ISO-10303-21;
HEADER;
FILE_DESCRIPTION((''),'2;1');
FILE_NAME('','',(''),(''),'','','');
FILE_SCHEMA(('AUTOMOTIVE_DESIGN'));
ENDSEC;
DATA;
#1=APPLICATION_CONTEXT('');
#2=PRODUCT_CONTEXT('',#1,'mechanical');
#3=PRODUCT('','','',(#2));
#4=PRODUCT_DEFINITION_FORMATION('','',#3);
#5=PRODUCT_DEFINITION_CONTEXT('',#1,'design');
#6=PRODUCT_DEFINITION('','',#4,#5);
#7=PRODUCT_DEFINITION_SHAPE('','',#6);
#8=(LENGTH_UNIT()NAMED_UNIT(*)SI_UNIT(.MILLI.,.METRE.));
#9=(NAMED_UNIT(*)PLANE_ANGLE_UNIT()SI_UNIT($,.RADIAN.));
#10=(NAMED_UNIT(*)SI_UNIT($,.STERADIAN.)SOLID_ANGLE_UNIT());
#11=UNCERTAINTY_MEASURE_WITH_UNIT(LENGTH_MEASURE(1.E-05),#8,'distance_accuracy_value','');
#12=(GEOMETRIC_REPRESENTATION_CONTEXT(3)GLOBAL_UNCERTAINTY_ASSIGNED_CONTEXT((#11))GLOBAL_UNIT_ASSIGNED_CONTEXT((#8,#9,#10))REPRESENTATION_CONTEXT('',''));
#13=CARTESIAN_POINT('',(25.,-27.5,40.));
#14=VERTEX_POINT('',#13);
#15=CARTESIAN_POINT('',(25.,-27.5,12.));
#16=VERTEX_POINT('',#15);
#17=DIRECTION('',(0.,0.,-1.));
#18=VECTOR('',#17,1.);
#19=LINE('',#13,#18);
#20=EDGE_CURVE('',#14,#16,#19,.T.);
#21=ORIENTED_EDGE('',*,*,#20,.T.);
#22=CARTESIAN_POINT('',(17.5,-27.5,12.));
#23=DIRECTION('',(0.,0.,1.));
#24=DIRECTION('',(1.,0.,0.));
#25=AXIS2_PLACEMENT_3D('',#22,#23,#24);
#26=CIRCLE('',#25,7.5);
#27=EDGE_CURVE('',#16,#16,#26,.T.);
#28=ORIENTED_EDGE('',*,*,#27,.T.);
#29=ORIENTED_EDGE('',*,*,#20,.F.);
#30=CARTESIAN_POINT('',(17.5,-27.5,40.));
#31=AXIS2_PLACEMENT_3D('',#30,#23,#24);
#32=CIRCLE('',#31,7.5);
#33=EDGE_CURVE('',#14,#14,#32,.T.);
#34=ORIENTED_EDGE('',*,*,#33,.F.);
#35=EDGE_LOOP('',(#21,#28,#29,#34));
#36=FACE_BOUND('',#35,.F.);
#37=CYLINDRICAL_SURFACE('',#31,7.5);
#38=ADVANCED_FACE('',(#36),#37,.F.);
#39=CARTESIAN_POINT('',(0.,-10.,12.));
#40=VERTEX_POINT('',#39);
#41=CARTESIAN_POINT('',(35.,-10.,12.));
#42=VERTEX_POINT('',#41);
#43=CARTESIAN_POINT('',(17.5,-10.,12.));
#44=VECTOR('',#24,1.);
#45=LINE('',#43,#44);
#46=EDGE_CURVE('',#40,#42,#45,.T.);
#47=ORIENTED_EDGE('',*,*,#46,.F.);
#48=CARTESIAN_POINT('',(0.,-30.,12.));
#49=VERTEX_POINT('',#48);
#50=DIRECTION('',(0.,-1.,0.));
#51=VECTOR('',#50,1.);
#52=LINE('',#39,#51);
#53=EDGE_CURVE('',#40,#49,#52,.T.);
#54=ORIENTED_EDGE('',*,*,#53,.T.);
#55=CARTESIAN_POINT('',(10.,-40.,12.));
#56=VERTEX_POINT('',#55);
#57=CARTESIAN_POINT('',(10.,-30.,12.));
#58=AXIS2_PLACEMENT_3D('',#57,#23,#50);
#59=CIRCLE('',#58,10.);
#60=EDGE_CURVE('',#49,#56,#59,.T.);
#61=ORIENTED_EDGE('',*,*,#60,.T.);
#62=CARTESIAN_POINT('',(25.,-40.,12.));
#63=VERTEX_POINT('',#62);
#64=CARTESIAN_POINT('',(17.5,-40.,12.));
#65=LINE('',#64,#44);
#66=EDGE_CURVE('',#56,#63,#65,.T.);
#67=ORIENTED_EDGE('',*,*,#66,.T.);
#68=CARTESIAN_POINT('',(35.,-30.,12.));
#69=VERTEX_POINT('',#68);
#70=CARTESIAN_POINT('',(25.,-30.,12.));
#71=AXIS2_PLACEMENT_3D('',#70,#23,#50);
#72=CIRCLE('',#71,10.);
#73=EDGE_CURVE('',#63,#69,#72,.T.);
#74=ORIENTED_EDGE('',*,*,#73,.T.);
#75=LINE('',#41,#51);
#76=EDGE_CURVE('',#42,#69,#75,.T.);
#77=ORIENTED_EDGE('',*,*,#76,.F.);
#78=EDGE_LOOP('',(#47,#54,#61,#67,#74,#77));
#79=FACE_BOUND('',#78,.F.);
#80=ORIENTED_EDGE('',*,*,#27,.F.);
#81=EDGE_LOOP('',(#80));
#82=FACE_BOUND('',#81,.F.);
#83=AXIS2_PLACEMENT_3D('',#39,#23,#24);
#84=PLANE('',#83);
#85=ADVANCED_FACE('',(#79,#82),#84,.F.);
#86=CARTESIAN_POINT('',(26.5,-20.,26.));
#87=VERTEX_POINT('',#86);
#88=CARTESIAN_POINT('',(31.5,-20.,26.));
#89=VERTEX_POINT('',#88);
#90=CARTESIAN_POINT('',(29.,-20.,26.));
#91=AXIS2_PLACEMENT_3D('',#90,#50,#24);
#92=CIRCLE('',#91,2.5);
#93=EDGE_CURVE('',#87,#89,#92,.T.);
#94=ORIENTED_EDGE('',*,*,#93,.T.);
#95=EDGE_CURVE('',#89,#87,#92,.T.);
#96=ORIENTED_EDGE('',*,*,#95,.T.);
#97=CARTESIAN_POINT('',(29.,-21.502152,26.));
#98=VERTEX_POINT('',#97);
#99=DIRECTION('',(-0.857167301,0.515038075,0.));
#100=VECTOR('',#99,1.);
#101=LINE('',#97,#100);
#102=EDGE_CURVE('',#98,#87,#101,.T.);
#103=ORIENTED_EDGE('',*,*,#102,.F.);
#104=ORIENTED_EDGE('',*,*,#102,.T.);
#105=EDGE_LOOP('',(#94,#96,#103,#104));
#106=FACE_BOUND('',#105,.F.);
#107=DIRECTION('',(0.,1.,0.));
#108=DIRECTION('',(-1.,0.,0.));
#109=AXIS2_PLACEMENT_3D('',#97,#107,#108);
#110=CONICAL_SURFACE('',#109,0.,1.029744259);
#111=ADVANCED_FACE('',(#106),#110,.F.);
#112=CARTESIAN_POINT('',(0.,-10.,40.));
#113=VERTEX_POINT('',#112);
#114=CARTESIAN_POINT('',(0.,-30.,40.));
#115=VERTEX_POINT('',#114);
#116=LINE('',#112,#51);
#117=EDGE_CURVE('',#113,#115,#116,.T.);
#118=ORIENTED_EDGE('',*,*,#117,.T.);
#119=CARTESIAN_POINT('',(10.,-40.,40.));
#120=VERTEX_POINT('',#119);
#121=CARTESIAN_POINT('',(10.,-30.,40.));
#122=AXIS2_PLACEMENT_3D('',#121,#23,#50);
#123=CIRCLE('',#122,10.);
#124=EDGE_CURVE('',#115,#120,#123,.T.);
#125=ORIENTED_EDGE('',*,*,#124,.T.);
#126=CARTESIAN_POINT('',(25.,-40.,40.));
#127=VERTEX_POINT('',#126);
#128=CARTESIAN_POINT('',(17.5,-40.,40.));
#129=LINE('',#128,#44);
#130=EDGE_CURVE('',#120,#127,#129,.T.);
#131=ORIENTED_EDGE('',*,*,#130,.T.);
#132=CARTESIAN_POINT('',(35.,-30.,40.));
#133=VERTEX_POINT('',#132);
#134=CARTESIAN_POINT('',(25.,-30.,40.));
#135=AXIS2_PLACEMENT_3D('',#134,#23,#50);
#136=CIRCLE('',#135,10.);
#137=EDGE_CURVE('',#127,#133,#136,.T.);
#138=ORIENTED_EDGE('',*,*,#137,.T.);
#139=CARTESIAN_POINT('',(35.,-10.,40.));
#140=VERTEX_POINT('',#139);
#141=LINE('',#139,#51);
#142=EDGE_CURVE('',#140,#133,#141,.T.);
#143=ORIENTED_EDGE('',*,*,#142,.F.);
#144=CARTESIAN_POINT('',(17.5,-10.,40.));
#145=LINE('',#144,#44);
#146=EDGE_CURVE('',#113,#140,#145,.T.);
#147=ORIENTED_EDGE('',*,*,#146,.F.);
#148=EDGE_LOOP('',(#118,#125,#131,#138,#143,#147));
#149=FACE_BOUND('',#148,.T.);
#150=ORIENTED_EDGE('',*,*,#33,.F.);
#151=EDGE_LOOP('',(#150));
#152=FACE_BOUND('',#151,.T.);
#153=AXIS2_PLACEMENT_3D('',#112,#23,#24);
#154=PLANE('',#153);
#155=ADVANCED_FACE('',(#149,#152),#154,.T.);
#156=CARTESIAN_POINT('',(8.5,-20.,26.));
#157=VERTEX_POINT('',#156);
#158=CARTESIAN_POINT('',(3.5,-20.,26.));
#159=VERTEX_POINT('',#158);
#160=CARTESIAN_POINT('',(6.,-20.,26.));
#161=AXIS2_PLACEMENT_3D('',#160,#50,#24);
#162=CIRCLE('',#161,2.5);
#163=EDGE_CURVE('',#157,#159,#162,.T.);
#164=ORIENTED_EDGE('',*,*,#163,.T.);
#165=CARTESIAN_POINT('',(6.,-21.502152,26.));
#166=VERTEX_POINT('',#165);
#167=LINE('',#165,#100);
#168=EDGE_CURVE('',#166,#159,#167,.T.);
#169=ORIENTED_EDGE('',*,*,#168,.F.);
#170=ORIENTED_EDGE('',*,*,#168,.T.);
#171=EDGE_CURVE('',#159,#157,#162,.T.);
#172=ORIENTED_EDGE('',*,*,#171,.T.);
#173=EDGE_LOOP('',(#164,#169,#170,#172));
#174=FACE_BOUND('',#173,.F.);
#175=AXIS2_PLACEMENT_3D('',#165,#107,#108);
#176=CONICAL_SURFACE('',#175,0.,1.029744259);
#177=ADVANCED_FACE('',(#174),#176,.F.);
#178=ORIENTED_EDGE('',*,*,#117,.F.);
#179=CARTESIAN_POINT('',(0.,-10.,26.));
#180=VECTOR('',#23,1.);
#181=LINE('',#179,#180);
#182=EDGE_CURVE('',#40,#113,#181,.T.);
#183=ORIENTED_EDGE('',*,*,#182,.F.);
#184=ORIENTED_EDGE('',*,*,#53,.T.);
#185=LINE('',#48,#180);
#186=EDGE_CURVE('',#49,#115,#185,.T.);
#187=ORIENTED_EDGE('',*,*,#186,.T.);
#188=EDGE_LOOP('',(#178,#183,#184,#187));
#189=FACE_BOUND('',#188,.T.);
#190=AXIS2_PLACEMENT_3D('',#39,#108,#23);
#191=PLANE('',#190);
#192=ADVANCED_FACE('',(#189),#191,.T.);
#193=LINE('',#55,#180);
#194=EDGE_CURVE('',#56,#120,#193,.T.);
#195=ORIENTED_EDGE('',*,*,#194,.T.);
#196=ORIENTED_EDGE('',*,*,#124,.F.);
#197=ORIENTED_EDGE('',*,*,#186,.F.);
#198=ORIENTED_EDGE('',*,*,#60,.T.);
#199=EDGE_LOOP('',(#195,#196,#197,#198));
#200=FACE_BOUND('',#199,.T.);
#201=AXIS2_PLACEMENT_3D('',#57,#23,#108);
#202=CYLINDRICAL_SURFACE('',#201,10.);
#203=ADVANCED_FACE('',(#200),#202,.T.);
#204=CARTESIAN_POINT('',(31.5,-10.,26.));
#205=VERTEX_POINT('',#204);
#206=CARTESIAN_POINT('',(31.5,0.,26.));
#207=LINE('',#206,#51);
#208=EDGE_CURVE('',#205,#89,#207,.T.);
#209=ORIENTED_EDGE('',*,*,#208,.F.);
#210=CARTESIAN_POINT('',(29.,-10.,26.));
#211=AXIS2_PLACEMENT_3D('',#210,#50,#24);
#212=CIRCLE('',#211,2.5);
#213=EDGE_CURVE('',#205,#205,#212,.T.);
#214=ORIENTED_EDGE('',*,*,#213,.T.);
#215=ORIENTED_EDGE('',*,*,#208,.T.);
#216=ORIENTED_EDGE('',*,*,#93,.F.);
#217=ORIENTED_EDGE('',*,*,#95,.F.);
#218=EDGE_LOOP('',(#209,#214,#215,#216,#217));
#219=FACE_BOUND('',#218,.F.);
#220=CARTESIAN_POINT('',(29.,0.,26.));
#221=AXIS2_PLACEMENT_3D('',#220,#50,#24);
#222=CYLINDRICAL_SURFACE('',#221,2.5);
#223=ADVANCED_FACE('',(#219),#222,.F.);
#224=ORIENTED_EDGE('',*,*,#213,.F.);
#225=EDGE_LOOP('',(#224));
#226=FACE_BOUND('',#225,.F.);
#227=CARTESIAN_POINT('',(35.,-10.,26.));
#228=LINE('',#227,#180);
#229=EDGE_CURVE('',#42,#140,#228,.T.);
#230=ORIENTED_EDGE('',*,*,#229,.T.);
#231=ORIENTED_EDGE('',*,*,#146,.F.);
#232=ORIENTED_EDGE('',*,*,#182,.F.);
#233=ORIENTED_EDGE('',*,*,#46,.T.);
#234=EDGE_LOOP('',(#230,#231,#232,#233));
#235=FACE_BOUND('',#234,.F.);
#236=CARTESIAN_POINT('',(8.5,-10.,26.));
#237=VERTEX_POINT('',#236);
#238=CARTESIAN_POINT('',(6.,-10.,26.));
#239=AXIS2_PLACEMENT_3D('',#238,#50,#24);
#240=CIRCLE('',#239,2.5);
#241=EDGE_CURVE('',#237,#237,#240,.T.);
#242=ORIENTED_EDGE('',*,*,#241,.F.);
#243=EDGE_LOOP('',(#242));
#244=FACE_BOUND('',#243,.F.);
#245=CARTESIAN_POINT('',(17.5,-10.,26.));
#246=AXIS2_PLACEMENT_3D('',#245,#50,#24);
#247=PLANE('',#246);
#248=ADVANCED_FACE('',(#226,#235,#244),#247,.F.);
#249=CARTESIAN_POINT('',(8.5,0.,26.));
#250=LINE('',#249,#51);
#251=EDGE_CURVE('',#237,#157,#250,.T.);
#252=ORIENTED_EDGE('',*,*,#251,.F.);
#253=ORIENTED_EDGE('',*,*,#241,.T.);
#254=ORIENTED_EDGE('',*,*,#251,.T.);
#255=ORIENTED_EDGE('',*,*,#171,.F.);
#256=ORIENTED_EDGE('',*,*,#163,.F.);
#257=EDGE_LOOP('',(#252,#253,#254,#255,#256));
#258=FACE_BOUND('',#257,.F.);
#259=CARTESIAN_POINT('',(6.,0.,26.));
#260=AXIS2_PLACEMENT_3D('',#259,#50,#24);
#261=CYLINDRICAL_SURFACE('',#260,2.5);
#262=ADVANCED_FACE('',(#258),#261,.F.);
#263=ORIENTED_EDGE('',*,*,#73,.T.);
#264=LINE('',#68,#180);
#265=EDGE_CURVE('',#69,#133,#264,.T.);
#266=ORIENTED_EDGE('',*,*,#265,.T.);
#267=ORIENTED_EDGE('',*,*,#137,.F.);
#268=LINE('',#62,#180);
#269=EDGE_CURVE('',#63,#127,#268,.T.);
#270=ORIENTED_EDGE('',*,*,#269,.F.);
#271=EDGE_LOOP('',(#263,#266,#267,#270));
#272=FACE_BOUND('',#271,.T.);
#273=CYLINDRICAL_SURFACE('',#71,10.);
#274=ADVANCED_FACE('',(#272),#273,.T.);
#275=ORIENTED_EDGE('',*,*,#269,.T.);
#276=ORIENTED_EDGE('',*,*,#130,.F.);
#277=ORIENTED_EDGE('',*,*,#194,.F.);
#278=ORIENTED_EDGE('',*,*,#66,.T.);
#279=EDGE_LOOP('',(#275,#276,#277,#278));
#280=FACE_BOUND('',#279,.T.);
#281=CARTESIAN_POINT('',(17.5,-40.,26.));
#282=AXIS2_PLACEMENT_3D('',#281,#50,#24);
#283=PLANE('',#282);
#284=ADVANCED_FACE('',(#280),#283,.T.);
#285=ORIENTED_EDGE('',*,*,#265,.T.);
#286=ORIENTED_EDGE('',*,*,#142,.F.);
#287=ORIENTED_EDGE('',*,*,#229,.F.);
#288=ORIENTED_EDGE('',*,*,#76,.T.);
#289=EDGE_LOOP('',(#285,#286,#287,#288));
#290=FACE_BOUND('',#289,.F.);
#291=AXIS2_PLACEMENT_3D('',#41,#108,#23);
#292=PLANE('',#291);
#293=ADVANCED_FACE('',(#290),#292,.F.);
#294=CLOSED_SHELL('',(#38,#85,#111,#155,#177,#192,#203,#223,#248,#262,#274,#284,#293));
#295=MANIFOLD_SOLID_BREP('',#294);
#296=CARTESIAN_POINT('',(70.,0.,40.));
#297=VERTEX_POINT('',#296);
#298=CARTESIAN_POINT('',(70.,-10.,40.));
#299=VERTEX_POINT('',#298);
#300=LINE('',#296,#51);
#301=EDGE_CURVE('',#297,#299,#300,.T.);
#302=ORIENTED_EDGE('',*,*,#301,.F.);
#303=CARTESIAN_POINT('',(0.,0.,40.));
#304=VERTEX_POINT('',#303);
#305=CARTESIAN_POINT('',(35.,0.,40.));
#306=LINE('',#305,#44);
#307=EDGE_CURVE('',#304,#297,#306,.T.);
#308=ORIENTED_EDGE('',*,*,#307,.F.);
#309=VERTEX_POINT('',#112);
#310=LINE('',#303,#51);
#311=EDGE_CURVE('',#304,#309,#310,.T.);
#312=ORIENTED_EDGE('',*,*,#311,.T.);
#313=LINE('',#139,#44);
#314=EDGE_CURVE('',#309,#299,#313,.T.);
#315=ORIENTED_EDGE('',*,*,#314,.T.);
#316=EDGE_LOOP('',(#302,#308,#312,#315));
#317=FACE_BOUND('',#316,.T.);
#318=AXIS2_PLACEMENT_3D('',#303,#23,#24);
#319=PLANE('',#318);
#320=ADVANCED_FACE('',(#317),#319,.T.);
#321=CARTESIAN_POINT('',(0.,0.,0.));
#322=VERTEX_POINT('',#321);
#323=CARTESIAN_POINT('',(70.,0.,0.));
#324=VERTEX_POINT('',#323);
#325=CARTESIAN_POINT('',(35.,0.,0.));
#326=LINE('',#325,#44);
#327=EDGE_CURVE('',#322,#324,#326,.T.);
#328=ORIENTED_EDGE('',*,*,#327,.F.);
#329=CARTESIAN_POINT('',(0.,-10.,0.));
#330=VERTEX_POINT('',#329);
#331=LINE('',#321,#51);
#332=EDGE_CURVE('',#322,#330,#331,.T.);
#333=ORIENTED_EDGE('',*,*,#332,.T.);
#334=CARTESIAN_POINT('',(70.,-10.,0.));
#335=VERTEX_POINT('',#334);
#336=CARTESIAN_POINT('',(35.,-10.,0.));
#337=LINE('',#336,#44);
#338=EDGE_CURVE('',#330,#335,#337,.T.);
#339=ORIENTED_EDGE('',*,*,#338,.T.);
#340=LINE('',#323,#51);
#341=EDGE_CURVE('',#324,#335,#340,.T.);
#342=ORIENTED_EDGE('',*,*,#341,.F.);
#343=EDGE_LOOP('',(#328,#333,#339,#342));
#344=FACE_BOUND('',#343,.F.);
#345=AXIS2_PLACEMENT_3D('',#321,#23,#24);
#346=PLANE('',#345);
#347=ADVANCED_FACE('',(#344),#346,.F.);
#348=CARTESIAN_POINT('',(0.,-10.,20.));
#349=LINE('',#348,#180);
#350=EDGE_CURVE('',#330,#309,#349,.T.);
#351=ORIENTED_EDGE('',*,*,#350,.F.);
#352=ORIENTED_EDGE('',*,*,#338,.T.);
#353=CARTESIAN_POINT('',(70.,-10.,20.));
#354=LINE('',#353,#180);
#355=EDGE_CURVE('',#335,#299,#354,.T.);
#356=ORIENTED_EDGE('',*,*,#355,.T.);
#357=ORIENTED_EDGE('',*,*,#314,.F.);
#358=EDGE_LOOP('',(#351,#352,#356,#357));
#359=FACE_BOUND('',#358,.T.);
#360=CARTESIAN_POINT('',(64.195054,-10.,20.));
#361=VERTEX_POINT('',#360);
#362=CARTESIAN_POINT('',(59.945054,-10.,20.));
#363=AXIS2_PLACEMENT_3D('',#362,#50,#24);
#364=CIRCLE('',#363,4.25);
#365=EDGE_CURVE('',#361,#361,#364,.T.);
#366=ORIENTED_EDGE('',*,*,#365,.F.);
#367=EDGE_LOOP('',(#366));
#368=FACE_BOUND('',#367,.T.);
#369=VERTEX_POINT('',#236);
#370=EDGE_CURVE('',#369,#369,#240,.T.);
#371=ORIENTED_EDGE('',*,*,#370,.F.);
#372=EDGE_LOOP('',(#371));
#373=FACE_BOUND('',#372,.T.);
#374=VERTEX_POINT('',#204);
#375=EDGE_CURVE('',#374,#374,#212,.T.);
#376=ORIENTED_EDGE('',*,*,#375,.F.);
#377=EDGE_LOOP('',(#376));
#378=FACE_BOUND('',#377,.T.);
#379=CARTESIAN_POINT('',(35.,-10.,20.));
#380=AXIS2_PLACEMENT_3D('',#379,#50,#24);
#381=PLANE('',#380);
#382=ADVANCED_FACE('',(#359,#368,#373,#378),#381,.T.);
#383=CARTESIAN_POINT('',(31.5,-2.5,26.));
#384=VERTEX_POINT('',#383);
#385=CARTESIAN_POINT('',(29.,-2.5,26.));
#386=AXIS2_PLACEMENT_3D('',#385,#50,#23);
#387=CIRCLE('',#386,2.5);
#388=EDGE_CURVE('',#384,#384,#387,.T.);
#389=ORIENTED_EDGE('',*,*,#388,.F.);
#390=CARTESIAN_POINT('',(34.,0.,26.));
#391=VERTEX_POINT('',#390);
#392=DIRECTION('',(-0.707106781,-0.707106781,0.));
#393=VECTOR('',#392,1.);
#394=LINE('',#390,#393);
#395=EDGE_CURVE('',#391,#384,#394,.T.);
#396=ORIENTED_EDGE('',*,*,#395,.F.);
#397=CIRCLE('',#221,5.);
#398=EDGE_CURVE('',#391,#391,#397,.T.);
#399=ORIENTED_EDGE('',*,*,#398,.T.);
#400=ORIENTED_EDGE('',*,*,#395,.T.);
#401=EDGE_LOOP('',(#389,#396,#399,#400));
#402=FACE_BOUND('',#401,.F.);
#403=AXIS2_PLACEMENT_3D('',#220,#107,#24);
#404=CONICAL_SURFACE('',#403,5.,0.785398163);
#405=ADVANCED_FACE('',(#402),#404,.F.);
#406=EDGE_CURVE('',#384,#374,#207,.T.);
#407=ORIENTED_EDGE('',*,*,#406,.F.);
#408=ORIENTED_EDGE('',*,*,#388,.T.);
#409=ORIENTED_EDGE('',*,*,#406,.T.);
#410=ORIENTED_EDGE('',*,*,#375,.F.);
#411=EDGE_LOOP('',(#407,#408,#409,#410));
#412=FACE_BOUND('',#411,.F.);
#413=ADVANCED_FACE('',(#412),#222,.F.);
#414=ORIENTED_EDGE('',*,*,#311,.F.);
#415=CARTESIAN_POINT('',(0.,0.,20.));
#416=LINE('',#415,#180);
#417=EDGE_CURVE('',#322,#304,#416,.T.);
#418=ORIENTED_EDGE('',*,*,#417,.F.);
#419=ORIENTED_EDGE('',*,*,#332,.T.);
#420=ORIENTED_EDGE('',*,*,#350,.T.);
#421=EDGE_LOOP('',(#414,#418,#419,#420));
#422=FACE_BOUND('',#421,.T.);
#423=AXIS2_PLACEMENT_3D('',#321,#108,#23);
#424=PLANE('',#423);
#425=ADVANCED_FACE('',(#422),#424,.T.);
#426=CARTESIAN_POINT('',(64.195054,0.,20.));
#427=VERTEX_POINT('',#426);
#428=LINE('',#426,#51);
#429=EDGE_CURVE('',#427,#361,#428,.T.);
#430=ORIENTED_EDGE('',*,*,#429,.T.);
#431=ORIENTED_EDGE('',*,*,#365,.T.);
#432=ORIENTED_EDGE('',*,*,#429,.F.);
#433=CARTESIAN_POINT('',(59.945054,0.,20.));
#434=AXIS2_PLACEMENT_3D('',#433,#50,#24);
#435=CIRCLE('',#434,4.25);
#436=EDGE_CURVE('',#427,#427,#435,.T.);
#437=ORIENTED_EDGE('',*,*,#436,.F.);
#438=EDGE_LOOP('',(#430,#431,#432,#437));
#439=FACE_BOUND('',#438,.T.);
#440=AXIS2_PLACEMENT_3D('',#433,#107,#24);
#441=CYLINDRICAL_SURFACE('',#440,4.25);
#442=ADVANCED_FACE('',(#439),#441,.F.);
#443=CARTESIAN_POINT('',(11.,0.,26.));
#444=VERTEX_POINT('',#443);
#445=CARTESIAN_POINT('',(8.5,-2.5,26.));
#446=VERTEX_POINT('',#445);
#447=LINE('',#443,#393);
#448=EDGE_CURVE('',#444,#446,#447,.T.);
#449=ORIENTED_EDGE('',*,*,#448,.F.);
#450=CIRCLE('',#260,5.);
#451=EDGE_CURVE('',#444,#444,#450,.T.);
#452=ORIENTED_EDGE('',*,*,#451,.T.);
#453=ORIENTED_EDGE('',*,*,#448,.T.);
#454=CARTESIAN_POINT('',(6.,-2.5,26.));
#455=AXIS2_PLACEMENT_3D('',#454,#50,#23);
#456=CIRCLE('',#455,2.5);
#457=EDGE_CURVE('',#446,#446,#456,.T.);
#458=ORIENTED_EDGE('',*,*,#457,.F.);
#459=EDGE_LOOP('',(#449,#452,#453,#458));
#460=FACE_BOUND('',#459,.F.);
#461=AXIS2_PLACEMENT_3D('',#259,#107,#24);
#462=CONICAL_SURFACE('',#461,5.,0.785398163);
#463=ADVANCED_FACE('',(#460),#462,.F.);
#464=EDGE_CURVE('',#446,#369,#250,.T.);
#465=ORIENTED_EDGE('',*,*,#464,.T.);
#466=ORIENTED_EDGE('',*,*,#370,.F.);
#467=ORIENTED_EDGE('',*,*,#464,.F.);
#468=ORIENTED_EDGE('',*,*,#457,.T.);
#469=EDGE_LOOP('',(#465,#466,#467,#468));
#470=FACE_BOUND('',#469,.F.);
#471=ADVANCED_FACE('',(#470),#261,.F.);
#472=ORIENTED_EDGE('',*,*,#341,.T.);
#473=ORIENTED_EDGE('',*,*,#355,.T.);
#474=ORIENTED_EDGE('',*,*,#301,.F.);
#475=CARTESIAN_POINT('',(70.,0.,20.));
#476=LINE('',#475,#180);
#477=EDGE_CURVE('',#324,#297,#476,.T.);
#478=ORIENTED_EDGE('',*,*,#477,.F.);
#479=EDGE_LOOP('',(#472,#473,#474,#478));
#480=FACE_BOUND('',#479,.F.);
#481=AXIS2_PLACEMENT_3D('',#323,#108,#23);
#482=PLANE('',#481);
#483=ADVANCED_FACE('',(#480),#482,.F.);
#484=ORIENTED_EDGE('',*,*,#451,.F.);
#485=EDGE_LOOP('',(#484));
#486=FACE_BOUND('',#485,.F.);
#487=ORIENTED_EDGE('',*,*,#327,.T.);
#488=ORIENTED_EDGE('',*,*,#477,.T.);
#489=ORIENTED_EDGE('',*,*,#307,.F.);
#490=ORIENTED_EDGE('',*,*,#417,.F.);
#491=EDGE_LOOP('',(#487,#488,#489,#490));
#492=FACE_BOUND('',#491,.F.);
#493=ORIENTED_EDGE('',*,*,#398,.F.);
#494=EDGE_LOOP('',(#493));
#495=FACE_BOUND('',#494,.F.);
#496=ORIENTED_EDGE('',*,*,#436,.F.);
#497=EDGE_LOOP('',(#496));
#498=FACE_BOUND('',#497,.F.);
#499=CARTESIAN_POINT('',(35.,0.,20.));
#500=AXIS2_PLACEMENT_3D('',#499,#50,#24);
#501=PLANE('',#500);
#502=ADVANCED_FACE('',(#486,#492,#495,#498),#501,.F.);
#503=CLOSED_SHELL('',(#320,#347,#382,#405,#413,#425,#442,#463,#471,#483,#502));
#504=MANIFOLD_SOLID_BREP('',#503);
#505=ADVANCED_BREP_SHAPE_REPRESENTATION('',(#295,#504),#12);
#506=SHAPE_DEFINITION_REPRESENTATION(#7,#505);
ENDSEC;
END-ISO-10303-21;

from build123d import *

# Parameters (mm, degrees)
F0_W             = 70
F0_H             = 40
F0_R             = 4.25
F1_DEPTH         = 10
F2_W             = 35
F2_H             = 28
F2_R             = 2.5
F3_DEPTH         = 30
F4_R             = 7.5
F5_DEPTH         = 40.001
F7_D             = 5
F7_DEPTH         = 20
F7_CSINK_D       = 10
F7_CSINK_ANGLE   = 90
F7_TIP           = 1.5021515476
F7_2_D           = 5
F7_2_DEPTH       = 20
F7_2_CSINK_D     = 10
F7_2_CSINK_ANGLE = 90
F7_2_TIP         = 1.5021515476
F8_R             = 10


with BuildPart() as f1:
    # F0 (on Front) → F1 (new body)
    with BuildSketch(Plane.XZ):
        with Locations((35, 20)):
            Rectangle(F0_W, F0_H)
        with Locations((59.9450543523, 20)):
            Circle(F0_R, mode=Mode.SUBTRACT)
    extrude(amount=F1_DEPTH)

    # F7
    with Locations(Plane(origin=(0, 0, 0), x_dir=(-1, 0, 0), z_dir=(0, 1, 0))):
        with Locations((-29, 26), (-6, 26)):
            CounterSinkHole(F7_D / 2, F7_CSINK_D / 2, depth=F7_DEPTH, counter_sink_angle=F7_CSINK_ANGLE)
            with Locations((0, 0, -(F7_DEPTH + F7_TIP / 2))):  # 118° drill point
                Cone(0, F7_D / 2, F7_TIP, mode=Mode.SUBTRACT)


with BuildPart() as f3:
    # F2 (on face) → F3 (new body)
    with BuildSketch(Plane.XZ.offset(10)):
        with Locations((17.5, 26)):
            Rectangle(F2_W, F2_H)
        with Locations((5, 26)):
            Circle(F2_R, mode=Mode.SUBTRACT)
        with Locations((30, 26)):
            Circle(F2_R, mode=Mode.SUBTRACT)
        with Locations((5, 26)):
            Circle(F2_R)
        with Locations((30, 26)):
            Circle(F2_R)
    extrude(amount=F3_DEPTH)

    # F4 (on face) → F5 (cut, through all)
    with BuildSketch(Plane.XY.offset(40)):
        with Locations((17.5, -27.5)):
            Circle(F4_R)
    extrude(amount=-F5_DEPTH, mode=Mode.SUBTRACT)

    # F7#2
    with Locations(Plane(origin=(0, 0, 0), x_dir=(-1, 0, 0), z_dir=(0, 1, 0))):
        with Locations((-29, 26), (-6, 26)):
            CounterSinkHole(F7_2_D / 2, F7_2_CSINK_D / 2, depth=F7_2_DEPTH, counter_sink_angle=F7_2_CSINK_ANGLE)
            with Locations((0, 0, -(F7_2_DEPTH + F7_2_TIP / 2))):  # 118° drill point
                Cone(0, F7_2_D / 2, F7_2_TIP, mode=Mode.SUBTRACT)

    # F8
    f8_edges = [f3.edges().sort_by_distance(p)[0] for p in [
        (35, -40, 26),
        (0, -40, 26),
    ]]
    fillet(f8_edges, radius=F8_R)


solid = Compound([f1.part, f3.part])
